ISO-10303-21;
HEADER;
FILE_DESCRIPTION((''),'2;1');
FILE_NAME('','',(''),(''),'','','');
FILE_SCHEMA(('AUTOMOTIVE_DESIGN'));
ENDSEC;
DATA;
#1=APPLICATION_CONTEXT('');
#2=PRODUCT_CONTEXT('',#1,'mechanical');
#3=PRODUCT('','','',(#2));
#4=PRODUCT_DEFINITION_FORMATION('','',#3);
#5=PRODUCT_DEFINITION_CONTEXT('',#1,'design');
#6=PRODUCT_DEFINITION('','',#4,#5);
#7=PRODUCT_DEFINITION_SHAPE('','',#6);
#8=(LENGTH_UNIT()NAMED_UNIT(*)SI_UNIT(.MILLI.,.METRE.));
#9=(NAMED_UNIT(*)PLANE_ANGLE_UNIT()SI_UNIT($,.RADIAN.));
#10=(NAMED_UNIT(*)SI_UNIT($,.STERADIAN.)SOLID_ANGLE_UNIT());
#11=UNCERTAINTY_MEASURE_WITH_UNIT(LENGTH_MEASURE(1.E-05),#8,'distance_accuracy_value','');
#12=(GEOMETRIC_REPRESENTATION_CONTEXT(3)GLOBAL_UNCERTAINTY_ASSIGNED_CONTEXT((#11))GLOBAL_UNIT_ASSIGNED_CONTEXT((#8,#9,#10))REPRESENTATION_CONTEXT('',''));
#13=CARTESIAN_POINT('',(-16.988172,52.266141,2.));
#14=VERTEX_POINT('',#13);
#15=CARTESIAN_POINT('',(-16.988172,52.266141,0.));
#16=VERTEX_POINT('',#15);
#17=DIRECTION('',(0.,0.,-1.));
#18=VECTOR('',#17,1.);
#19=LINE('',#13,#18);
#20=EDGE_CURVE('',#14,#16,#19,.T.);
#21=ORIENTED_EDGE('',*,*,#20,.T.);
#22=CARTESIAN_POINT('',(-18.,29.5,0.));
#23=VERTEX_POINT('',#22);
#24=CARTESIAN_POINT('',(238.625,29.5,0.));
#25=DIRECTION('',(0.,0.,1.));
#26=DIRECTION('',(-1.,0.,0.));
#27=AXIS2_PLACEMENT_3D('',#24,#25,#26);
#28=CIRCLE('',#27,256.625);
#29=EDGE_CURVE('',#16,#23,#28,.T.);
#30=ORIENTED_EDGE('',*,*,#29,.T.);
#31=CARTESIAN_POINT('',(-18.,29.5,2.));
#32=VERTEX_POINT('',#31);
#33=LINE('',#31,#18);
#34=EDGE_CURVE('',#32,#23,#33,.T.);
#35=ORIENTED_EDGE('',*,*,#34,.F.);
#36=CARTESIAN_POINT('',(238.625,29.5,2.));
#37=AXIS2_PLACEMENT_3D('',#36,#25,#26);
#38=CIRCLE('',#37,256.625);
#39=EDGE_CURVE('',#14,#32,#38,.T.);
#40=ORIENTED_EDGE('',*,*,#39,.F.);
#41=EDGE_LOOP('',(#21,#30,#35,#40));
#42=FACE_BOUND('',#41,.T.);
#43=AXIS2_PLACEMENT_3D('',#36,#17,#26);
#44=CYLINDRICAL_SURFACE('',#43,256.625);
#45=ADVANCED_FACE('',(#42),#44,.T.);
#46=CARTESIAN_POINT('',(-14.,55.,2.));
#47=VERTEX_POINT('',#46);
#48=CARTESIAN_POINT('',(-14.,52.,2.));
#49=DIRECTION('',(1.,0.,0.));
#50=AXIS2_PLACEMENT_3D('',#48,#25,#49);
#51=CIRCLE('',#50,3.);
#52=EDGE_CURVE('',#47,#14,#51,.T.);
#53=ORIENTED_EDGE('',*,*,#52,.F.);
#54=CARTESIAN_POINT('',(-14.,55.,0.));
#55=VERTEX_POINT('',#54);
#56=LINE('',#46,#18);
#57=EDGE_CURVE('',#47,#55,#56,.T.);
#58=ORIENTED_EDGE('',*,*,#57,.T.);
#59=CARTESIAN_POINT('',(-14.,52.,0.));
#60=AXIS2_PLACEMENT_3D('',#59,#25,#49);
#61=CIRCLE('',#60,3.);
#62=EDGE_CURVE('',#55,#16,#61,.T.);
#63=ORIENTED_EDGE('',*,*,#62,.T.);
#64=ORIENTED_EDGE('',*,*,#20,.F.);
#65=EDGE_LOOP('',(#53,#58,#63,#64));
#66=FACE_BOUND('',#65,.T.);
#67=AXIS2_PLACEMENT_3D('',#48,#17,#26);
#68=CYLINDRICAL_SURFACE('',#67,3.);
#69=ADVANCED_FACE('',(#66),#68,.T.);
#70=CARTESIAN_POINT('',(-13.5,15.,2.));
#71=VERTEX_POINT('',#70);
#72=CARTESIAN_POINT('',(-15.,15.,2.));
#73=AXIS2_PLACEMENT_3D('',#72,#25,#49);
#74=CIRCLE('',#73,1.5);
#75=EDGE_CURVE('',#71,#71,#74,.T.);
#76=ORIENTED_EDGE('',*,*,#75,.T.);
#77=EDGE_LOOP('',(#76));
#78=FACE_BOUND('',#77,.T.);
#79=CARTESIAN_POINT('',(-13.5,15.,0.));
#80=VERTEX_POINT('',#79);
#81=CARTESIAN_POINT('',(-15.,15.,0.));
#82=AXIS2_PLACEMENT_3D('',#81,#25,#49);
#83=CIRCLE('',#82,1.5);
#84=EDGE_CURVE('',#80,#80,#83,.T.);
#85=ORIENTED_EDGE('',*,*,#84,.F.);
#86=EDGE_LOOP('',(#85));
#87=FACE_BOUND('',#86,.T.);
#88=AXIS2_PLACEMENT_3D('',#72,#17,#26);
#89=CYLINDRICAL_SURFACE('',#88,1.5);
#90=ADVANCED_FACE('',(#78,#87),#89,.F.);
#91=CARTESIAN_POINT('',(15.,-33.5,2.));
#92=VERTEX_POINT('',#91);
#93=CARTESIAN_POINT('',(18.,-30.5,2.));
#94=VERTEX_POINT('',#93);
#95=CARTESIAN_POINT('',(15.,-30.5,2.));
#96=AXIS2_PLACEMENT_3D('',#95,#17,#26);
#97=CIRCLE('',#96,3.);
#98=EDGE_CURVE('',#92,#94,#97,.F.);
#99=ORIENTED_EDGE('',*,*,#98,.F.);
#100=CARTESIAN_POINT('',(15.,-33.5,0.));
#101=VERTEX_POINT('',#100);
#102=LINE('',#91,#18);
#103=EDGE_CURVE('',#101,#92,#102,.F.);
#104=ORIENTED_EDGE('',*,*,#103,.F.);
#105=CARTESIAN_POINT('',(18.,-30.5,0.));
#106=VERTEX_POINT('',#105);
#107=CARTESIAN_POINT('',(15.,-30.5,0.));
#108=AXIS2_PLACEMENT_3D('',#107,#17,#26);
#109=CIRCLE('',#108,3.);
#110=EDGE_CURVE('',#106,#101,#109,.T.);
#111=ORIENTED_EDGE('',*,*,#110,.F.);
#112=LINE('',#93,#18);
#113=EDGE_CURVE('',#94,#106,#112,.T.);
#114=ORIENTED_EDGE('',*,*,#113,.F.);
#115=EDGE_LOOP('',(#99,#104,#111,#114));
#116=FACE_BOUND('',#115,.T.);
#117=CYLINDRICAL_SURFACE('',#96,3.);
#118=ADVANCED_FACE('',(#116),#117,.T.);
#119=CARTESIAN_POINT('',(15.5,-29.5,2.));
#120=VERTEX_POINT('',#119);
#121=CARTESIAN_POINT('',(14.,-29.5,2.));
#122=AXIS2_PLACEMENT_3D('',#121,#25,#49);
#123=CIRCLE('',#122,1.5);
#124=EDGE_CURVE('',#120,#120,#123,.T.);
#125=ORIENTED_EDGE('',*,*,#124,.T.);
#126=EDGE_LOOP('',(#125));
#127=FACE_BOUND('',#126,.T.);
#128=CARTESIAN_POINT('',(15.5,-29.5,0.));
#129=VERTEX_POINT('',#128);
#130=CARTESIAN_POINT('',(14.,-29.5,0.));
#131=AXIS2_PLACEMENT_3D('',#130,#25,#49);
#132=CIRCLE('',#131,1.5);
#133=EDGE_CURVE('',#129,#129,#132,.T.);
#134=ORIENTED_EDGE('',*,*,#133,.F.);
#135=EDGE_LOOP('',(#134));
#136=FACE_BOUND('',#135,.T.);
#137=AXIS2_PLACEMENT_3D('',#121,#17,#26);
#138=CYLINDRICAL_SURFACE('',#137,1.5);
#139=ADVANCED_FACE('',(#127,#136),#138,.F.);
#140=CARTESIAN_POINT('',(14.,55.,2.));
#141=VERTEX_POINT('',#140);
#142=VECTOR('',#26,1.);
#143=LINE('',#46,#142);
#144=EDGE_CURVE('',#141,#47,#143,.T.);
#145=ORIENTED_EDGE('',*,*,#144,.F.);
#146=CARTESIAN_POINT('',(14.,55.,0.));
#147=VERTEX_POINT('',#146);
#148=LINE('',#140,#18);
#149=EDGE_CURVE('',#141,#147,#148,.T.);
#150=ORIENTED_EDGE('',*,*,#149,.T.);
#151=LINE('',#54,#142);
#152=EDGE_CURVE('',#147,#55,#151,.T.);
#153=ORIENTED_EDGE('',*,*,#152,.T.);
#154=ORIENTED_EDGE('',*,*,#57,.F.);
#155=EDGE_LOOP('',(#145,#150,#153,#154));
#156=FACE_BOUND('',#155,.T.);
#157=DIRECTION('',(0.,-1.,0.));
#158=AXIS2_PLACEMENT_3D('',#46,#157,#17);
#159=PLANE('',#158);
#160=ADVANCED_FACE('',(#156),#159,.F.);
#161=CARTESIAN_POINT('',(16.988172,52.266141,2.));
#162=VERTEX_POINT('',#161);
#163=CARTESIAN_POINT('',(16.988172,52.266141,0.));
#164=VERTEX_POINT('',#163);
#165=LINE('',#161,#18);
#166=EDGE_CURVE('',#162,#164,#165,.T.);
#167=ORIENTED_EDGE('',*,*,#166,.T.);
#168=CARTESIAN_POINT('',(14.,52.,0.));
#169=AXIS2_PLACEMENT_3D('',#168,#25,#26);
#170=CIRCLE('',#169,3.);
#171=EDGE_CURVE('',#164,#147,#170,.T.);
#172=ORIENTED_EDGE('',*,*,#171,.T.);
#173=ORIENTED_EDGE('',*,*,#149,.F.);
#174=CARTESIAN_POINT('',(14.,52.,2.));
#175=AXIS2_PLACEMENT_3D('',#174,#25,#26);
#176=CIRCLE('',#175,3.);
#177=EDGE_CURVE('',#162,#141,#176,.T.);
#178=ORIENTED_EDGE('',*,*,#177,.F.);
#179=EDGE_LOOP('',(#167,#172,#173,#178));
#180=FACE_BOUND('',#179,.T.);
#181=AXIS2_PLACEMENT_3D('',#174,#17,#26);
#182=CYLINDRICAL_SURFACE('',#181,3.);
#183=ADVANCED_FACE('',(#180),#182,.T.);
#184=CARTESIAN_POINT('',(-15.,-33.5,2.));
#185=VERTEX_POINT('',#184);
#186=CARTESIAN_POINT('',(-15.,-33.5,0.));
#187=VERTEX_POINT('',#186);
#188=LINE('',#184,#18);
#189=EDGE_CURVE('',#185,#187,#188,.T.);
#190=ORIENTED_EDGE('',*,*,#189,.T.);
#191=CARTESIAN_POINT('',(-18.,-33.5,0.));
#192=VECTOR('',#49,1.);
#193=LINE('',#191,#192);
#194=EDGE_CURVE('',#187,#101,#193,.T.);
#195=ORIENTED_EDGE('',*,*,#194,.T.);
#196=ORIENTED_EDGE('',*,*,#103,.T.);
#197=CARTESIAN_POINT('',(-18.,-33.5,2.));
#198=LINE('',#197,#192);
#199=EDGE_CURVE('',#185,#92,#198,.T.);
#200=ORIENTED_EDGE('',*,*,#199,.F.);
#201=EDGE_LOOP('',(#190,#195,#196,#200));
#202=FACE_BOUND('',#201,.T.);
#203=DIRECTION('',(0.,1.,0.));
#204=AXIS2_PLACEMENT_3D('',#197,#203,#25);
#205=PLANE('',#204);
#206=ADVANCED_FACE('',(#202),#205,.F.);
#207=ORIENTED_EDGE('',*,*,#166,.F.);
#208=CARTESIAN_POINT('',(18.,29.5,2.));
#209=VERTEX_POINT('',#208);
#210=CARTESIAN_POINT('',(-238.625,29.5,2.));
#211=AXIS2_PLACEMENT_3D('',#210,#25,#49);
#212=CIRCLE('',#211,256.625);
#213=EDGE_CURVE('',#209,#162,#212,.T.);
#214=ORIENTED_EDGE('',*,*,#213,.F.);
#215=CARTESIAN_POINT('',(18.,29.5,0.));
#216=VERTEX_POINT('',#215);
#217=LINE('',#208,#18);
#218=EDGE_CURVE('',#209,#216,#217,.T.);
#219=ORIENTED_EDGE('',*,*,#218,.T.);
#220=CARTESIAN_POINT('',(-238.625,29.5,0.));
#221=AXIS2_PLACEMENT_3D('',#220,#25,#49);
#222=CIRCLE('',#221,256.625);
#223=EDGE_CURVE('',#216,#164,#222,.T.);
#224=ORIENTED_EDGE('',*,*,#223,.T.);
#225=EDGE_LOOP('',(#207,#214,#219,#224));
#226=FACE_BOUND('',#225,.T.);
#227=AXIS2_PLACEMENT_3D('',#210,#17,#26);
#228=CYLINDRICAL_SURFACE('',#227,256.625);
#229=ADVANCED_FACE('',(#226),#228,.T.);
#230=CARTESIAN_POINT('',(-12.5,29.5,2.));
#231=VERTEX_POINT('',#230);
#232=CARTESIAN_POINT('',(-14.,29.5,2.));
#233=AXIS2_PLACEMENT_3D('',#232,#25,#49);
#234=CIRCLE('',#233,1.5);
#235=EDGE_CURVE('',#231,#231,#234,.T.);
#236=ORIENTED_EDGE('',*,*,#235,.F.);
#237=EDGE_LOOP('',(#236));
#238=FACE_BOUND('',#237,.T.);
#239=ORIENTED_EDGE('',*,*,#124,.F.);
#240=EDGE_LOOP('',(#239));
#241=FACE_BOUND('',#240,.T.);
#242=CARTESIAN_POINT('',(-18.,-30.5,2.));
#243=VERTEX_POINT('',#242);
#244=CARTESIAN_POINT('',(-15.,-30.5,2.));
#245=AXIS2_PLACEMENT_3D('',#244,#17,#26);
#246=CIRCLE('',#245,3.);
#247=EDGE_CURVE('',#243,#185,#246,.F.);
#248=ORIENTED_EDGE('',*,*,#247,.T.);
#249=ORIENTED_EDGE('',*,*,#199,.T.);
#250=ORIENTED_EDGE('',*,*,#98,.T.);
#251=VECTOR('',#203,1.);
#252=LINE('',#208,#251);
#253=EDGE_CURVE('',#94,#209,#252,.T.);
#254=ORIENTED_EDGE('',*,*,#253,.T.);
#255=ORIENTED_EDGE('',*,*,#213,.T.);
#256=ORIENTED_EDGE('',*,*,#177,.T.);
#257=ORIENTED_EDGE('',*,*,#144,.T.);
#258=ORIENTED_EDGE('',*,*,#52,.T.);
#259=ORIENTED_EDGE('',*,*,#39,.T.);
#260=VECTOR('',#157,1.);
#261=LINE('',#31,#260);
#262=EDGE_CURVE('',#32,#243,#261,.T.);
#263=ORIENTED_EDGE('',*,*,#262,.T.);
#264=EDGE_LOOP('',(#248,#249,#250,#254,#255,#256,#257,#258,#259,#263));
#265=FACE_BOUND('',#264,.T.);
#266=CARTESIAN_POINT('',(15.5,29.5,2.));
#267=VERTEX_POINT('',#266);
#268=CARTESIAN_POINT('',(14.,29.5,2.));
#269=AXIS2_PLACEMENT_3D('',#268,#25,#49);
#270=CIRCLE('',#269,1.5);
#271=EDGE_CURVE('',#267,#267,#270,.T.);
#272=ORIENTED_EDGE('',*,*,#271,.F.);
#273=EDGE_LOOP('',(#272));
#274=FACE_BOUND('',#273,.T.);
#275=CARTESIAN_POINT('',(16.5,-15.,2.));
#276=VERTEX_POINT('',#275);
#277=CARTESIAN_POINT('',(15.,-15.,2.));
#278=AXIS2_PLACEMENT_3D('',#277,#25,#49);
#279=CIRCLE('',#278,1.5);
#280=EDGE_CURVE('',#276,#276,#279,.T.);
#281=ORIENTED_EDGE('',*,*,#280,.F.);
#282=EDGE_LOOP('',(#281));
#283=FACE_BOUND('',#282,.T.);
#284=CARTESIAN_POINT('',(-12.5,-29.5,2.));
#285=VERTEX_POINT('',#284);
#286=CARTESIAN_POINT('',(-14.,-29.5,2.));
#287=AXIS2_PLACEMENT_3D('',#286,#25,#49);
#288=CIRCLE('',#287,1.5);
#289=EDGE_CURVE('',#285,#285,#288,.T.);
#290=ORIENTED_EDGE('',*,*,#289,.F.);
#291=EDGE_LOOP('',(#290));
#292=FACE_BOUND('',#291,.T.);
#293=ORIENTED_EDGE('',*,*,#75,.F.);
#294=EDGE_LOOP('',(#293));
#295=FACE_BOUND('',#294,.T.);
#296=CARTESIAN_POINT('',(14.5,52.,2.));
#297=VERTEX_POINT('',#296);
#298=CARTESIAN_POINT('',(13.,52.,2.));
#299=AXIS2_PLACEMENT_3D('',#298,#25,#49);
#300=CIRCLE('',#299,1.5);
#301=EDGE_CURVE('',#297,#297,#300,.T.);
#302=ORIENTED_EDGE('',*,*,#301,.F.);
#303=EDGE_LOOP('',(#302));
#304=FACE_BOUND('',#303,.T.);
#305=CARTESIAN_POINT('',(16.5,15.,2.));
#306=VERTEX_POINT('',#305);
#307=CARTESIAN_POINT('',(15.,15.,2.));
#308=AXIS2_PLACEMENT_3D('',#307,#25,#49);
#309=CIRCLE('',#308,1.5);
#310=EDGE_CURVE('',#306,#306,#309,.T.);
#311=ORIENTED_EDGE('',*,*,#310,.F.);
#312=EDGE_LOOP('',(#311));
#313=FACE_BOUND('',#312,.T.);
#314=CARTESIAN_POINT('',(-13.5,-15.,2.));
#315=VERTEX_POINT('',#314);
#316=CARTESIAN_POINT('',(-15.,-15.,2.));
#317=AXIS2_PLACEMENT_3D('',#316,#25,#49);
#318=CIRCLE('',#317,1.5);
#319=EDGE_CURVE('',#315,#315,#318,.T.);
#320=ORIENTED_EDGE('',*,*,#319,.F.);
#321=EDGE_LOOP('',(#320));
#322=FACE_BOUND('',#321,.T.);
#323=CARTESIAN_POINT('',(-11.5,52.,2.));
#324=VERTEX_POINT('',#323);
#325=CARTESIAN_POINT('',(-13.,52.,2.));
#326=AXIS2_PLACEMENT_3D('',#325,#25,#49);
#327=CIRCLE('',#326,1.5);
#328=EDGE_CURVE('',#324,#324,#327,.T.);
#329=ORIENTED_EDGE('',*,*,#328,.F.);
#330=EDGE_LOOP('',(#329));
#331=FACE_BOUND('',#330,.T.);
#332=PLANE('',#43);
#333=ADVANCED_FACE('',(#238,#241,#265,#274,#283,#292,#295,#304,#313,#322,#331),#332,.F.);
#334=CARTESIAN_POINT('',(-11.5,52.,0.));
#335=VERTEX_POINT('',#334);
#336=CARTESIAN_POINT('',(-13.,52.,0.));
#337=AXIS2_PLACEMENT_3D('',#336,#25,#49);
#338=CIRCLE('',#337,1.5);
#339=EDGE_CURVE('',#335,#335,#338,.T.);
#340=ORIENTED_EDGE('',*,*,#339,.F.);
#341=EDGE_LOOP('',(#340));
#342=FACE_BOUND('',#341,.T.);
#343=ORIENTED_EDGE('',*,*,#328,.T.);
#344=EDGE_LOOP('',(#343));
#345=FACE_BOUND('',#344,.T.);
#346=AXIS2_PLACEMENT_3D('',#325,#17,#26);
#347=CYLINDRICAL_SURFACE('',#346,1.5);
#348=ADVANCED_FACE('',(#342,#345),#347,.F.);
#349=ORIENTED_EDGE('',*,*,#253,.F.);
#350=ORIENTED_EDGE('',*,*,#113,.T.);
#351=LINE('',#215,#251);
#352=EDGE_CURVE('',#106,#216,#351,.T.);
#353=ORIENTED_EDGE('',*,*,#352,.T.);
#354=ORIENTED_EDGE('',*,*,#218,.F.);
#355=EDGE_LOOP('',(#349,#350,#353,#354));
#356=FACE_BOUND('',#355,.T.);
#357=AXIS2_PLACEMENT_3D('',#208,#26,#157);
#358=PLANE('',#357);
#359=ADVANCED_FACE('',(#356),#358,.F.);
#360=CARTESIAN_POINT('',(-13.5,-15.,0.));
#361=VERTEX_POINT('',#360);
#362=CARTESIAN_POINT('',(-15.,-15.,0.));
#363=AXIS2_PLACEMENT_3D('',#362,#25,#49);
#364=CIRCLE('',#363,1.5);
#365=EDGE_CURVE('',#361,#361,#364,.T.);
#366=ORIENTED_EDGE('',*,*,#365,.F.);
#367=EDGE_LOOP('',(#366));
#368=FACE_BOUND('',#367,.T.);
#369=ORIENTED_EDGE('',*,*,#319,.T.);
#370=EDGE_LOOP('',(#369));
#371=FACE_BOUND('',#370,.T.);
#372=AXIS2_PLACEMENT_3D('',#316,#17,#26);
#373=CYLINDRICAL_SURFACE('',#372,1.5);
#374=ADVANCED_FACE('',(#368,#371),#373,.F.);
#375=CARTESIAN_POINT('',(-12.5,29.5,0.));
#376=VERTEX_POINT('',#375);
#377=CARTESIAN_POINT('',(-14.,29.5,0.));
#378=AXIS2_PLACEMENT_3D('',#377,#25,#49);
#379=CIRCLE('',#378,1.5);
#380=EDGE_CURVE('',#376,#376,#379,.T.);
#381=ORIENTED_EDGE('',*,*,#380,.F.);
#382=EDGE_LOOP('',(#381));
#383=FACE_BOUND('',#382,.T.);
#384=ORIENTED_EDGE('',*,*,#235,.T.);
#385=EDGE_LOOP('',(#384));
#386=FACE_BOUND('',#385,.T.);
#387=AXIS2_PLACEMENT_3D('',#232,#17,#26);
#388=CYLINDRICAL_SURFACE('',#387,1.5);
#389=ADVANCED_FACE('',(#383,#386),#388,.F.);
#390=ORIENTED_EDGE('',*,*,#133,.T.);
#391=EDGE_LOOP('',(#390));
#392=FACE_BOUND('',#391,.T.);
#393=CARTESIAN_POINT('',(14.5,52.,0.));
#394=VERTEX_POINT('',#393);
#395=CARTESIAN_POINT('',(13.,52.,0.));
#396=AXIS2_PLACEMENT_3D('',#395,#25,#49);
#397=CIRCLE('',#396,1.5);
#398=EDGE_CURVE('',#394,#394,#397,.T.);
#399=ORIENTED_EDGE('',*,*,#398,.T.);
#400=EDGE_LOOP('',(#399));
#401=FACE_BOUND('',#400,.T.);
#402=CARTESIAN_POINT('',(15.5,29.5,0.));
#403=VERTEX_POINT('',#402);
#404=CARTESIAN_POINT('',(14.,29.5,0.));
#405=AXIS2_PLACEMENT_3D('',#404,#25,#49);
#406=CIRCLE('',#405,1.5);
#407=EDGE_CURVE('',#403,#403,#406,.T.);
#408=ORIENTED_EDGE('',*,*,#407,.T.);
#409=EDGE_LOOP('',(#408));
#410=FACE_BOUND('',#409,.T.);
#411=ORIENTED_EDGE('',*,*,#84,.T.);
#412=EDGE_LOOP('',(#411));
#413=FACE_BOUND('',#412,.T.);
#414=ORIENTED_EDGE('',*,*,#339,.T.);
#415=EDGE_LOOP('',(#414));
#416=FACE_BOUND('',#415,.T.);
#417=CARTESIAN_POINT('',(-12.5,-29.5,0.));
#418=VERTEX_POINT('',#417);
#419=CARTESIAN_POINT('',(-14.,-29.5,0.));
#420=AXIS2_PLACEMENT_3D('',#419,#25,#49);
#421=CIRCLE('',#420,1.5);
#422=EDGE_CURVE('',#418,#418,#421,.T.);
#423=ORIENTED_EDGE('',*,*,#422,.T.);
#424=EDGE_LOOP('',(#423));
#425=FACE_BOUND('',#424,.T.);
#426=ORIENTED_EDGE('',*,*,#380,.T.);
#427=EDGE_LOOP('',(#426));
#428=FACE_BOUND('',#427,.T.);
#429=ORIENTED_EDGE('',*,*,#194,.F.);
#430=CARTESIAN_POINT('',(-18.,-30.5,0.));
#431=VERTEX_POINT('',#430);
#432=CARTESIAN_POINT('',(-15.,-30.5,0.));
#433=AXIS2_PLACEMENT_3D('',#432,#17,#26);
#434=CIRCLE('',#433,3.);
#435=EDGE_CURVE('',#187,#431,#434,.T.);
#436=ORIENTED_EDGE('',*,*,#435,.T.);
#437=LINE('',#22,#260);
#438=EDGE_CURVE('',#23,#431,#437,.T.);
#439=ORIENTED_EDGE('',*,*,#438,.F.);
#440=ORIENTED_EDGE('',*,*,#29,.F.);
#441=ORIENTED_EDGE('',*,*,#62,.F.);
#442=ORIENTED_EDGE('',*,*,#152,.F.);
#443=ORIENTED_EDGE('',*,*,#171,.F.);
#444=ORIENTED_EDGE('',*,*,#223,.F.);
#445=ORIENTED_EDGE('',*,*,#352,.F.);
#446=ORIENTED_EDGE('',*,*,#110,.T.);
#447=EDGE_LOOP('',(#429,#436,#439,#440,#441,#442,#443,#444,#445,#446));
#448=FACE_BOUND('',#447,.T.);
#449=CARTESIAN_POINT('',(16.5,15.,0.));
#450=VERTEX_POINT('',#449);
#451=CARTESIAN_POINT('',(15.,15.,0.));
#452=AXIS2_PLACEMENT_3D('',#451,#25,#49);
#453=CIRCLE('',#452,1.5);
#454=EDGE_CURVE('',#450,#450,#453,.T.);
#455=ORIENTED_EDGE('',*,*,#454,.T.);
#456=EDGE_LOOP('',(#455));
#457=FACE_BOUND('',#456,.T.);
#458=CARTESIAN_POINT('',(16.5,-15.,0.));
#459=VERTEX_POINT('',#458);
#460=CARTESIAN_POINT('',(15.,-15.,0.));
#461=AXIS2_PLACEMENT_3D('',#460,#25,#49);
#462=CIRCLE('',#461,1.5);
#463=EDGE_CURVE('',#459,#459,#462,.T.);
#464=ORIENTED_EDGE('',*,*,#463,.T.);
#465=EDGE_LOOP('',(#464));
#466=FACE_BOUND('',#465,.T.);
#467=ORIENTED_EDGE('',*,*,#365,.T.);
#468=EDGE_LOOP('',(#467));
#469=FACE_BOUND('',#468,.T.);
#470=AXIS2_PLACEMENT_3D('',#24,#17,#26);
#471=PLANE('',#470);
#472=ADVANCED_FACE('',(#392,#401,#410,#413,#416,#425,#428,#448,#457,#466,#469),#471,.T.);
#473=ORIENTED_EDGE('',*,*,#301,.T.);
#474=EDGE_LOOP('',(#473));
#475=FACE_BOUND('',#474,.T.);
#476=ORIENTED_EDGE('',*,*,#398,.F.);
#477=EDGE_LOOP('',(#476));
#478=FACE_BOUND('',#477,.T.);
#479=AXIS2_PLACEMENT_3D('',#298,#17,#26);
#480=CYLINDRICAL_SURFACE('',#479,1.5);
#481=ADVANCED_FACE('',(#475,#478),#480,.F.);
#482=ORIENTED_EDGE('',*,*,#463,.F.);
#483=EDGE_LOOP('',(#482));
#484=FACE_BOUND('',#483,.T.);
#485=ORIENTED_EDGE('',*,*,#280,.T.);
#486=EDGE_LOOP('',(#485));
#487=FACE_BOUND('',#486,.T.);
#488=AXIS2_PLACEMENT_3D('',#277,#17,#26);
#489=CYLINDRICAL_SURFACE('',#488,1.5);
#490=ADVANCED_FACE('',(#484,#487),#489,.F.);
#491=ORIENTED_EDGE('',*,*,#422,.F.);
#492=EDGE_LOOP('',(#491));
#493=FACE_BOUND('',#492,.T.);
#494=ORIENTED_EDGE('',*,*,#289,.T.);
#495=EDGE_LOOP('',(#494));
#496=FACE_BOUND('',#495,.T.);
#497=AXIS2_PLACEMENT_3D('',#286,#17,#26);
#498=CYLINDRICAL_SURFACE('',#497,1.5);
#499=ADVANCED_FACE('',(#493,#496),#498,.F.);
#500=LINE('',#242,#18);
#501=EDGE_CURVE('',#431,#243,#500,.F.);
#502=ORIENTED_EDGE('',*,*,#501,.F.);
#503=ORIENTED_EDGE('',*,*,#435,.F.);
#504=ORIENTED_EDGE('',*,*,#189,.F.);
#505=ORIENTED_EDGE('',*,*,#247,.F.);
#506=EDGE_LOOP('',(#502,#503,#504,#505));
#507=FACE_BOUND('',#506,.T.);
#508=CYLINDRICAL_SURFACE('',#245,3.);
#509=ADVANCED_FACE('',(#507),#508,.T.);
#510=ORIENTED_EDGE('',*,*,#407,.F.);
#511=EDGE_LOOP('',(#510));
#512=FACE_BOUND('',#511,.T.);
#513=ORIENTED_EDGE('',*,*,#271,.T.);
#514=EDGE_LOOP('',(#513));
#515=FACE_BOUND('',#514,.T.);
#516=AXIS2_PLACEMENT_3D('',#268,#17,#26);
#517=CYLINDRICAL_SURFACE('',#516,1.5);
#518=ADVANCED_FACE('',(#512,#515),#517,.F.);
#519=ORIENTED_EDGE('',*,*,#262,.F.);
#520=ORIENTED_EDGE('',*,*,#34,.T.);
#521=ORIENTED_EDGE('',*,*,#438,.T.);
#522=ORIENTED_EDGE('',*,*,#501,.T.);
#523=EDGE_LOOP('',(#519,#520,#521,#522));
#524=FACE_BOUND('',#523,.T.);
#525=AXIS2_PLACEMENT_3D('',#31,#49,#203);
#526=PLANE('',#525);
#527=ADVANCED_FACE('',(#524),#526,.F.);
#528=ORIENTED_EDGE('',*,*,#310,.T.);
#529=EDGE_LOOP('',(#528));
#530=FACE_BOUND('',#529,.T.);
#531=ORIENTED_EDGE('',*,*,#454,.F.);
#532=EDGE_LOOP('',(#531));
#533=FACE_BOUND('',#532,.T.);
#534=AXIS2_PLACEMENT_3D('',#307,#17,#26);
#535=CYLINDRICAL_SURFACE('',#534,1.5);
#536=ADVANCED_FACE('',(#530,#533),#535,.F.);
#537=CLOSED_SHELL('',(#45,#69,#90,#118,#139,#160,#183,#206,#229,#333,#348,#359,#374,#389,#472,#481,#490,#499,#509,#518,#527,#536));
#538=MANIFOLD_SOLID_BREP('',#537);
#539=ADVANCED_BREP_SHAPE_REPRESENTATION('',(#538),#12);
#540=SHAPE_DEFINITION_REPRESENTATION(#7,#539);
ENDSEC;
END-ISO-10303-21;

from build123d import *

# Parameters (mm, degrees)
SKETCH1_R           = 1.5
BOSS_EXTRUDE1_DEPTH = 2
FILLET1_R           = 3


with BuildPart() as part:
    # Sketch1 → Boss-Extrude1 (new body)
    with BuildSketch(Plane.XY):
        with BuildLine():
            Line((-18, 29.5), (-18, -33.5))
            Line((-18, -33.5), (18, -33.5))
            Line((18, -33.5), (18, 29.5))
            ThreePointArc((18, 29.5), (17.746918084, 40.89430747), (16.988171513, 52.266140956))
            ThreePointArc((16.988171513, 52.266140956), (16.025040386, 54.213416236), (14, 55))
            Line((14, 55), (-14, 55))
            ThreePointArc((-14, 55), (-16.025040386, 54.213416236), (-16.988171513, 52.266140956))
            ThreePointArc((-16.988171513, 52.266140956), (-17.746918084, 40.89430747), (-18, 29.5))
        make_face()
        with Locations((-14, 29.5)):
            Circle(SKETCH1_R, mode=Mode.SUBTRACT)
        with Locations((14, 29.5)):
            Circle(SKETCH1_R, mode=Mode.SUBTRACT)
        with Locations((-14, -29.5)):
            Circle(SKETCH1_R, mode=Mode.SUBTRACT)
        with Locations((14, -29.5)):
            Circle(SKETCH1_R, mode=Mode.SUBTRACT)
        with Locations((15, 15)):
            Circle(SKETCH1_R, mode=Mode.SUBTRACT)
        with Locations((15, -15)):
            Circle(SKETCH1_R, mode=Mode.SUBTRACT)
        with Locations((-15, -15)):
            Circle(SKETCH1_R, mode=Mode.SUBTRACT)
        with Locations((-15, 15)):
            Circle(SKETCH1_R, mode=Mode.SUBTRACT)
        with Locations((-13, 52)):
            Circle(SKETCH1_R, mode=Mode.SUBTRACT)
        with Locations((13, 52)):
            Circle(SKETCH1_R, mode=Mode.SUBTRACT)
    extrude(amount=BOSS_EXTRUDE1_DEPTH)

    # Fillet1
    fillet1_edges = [part.edges().sort_by_distance(p)[0] for p in [
        (18, -33.5, 1),
        (-18, -33.5, 1),
    ]]
    fillet(fillet1_edges, radius=FILLET1_R)


solid = part.part
